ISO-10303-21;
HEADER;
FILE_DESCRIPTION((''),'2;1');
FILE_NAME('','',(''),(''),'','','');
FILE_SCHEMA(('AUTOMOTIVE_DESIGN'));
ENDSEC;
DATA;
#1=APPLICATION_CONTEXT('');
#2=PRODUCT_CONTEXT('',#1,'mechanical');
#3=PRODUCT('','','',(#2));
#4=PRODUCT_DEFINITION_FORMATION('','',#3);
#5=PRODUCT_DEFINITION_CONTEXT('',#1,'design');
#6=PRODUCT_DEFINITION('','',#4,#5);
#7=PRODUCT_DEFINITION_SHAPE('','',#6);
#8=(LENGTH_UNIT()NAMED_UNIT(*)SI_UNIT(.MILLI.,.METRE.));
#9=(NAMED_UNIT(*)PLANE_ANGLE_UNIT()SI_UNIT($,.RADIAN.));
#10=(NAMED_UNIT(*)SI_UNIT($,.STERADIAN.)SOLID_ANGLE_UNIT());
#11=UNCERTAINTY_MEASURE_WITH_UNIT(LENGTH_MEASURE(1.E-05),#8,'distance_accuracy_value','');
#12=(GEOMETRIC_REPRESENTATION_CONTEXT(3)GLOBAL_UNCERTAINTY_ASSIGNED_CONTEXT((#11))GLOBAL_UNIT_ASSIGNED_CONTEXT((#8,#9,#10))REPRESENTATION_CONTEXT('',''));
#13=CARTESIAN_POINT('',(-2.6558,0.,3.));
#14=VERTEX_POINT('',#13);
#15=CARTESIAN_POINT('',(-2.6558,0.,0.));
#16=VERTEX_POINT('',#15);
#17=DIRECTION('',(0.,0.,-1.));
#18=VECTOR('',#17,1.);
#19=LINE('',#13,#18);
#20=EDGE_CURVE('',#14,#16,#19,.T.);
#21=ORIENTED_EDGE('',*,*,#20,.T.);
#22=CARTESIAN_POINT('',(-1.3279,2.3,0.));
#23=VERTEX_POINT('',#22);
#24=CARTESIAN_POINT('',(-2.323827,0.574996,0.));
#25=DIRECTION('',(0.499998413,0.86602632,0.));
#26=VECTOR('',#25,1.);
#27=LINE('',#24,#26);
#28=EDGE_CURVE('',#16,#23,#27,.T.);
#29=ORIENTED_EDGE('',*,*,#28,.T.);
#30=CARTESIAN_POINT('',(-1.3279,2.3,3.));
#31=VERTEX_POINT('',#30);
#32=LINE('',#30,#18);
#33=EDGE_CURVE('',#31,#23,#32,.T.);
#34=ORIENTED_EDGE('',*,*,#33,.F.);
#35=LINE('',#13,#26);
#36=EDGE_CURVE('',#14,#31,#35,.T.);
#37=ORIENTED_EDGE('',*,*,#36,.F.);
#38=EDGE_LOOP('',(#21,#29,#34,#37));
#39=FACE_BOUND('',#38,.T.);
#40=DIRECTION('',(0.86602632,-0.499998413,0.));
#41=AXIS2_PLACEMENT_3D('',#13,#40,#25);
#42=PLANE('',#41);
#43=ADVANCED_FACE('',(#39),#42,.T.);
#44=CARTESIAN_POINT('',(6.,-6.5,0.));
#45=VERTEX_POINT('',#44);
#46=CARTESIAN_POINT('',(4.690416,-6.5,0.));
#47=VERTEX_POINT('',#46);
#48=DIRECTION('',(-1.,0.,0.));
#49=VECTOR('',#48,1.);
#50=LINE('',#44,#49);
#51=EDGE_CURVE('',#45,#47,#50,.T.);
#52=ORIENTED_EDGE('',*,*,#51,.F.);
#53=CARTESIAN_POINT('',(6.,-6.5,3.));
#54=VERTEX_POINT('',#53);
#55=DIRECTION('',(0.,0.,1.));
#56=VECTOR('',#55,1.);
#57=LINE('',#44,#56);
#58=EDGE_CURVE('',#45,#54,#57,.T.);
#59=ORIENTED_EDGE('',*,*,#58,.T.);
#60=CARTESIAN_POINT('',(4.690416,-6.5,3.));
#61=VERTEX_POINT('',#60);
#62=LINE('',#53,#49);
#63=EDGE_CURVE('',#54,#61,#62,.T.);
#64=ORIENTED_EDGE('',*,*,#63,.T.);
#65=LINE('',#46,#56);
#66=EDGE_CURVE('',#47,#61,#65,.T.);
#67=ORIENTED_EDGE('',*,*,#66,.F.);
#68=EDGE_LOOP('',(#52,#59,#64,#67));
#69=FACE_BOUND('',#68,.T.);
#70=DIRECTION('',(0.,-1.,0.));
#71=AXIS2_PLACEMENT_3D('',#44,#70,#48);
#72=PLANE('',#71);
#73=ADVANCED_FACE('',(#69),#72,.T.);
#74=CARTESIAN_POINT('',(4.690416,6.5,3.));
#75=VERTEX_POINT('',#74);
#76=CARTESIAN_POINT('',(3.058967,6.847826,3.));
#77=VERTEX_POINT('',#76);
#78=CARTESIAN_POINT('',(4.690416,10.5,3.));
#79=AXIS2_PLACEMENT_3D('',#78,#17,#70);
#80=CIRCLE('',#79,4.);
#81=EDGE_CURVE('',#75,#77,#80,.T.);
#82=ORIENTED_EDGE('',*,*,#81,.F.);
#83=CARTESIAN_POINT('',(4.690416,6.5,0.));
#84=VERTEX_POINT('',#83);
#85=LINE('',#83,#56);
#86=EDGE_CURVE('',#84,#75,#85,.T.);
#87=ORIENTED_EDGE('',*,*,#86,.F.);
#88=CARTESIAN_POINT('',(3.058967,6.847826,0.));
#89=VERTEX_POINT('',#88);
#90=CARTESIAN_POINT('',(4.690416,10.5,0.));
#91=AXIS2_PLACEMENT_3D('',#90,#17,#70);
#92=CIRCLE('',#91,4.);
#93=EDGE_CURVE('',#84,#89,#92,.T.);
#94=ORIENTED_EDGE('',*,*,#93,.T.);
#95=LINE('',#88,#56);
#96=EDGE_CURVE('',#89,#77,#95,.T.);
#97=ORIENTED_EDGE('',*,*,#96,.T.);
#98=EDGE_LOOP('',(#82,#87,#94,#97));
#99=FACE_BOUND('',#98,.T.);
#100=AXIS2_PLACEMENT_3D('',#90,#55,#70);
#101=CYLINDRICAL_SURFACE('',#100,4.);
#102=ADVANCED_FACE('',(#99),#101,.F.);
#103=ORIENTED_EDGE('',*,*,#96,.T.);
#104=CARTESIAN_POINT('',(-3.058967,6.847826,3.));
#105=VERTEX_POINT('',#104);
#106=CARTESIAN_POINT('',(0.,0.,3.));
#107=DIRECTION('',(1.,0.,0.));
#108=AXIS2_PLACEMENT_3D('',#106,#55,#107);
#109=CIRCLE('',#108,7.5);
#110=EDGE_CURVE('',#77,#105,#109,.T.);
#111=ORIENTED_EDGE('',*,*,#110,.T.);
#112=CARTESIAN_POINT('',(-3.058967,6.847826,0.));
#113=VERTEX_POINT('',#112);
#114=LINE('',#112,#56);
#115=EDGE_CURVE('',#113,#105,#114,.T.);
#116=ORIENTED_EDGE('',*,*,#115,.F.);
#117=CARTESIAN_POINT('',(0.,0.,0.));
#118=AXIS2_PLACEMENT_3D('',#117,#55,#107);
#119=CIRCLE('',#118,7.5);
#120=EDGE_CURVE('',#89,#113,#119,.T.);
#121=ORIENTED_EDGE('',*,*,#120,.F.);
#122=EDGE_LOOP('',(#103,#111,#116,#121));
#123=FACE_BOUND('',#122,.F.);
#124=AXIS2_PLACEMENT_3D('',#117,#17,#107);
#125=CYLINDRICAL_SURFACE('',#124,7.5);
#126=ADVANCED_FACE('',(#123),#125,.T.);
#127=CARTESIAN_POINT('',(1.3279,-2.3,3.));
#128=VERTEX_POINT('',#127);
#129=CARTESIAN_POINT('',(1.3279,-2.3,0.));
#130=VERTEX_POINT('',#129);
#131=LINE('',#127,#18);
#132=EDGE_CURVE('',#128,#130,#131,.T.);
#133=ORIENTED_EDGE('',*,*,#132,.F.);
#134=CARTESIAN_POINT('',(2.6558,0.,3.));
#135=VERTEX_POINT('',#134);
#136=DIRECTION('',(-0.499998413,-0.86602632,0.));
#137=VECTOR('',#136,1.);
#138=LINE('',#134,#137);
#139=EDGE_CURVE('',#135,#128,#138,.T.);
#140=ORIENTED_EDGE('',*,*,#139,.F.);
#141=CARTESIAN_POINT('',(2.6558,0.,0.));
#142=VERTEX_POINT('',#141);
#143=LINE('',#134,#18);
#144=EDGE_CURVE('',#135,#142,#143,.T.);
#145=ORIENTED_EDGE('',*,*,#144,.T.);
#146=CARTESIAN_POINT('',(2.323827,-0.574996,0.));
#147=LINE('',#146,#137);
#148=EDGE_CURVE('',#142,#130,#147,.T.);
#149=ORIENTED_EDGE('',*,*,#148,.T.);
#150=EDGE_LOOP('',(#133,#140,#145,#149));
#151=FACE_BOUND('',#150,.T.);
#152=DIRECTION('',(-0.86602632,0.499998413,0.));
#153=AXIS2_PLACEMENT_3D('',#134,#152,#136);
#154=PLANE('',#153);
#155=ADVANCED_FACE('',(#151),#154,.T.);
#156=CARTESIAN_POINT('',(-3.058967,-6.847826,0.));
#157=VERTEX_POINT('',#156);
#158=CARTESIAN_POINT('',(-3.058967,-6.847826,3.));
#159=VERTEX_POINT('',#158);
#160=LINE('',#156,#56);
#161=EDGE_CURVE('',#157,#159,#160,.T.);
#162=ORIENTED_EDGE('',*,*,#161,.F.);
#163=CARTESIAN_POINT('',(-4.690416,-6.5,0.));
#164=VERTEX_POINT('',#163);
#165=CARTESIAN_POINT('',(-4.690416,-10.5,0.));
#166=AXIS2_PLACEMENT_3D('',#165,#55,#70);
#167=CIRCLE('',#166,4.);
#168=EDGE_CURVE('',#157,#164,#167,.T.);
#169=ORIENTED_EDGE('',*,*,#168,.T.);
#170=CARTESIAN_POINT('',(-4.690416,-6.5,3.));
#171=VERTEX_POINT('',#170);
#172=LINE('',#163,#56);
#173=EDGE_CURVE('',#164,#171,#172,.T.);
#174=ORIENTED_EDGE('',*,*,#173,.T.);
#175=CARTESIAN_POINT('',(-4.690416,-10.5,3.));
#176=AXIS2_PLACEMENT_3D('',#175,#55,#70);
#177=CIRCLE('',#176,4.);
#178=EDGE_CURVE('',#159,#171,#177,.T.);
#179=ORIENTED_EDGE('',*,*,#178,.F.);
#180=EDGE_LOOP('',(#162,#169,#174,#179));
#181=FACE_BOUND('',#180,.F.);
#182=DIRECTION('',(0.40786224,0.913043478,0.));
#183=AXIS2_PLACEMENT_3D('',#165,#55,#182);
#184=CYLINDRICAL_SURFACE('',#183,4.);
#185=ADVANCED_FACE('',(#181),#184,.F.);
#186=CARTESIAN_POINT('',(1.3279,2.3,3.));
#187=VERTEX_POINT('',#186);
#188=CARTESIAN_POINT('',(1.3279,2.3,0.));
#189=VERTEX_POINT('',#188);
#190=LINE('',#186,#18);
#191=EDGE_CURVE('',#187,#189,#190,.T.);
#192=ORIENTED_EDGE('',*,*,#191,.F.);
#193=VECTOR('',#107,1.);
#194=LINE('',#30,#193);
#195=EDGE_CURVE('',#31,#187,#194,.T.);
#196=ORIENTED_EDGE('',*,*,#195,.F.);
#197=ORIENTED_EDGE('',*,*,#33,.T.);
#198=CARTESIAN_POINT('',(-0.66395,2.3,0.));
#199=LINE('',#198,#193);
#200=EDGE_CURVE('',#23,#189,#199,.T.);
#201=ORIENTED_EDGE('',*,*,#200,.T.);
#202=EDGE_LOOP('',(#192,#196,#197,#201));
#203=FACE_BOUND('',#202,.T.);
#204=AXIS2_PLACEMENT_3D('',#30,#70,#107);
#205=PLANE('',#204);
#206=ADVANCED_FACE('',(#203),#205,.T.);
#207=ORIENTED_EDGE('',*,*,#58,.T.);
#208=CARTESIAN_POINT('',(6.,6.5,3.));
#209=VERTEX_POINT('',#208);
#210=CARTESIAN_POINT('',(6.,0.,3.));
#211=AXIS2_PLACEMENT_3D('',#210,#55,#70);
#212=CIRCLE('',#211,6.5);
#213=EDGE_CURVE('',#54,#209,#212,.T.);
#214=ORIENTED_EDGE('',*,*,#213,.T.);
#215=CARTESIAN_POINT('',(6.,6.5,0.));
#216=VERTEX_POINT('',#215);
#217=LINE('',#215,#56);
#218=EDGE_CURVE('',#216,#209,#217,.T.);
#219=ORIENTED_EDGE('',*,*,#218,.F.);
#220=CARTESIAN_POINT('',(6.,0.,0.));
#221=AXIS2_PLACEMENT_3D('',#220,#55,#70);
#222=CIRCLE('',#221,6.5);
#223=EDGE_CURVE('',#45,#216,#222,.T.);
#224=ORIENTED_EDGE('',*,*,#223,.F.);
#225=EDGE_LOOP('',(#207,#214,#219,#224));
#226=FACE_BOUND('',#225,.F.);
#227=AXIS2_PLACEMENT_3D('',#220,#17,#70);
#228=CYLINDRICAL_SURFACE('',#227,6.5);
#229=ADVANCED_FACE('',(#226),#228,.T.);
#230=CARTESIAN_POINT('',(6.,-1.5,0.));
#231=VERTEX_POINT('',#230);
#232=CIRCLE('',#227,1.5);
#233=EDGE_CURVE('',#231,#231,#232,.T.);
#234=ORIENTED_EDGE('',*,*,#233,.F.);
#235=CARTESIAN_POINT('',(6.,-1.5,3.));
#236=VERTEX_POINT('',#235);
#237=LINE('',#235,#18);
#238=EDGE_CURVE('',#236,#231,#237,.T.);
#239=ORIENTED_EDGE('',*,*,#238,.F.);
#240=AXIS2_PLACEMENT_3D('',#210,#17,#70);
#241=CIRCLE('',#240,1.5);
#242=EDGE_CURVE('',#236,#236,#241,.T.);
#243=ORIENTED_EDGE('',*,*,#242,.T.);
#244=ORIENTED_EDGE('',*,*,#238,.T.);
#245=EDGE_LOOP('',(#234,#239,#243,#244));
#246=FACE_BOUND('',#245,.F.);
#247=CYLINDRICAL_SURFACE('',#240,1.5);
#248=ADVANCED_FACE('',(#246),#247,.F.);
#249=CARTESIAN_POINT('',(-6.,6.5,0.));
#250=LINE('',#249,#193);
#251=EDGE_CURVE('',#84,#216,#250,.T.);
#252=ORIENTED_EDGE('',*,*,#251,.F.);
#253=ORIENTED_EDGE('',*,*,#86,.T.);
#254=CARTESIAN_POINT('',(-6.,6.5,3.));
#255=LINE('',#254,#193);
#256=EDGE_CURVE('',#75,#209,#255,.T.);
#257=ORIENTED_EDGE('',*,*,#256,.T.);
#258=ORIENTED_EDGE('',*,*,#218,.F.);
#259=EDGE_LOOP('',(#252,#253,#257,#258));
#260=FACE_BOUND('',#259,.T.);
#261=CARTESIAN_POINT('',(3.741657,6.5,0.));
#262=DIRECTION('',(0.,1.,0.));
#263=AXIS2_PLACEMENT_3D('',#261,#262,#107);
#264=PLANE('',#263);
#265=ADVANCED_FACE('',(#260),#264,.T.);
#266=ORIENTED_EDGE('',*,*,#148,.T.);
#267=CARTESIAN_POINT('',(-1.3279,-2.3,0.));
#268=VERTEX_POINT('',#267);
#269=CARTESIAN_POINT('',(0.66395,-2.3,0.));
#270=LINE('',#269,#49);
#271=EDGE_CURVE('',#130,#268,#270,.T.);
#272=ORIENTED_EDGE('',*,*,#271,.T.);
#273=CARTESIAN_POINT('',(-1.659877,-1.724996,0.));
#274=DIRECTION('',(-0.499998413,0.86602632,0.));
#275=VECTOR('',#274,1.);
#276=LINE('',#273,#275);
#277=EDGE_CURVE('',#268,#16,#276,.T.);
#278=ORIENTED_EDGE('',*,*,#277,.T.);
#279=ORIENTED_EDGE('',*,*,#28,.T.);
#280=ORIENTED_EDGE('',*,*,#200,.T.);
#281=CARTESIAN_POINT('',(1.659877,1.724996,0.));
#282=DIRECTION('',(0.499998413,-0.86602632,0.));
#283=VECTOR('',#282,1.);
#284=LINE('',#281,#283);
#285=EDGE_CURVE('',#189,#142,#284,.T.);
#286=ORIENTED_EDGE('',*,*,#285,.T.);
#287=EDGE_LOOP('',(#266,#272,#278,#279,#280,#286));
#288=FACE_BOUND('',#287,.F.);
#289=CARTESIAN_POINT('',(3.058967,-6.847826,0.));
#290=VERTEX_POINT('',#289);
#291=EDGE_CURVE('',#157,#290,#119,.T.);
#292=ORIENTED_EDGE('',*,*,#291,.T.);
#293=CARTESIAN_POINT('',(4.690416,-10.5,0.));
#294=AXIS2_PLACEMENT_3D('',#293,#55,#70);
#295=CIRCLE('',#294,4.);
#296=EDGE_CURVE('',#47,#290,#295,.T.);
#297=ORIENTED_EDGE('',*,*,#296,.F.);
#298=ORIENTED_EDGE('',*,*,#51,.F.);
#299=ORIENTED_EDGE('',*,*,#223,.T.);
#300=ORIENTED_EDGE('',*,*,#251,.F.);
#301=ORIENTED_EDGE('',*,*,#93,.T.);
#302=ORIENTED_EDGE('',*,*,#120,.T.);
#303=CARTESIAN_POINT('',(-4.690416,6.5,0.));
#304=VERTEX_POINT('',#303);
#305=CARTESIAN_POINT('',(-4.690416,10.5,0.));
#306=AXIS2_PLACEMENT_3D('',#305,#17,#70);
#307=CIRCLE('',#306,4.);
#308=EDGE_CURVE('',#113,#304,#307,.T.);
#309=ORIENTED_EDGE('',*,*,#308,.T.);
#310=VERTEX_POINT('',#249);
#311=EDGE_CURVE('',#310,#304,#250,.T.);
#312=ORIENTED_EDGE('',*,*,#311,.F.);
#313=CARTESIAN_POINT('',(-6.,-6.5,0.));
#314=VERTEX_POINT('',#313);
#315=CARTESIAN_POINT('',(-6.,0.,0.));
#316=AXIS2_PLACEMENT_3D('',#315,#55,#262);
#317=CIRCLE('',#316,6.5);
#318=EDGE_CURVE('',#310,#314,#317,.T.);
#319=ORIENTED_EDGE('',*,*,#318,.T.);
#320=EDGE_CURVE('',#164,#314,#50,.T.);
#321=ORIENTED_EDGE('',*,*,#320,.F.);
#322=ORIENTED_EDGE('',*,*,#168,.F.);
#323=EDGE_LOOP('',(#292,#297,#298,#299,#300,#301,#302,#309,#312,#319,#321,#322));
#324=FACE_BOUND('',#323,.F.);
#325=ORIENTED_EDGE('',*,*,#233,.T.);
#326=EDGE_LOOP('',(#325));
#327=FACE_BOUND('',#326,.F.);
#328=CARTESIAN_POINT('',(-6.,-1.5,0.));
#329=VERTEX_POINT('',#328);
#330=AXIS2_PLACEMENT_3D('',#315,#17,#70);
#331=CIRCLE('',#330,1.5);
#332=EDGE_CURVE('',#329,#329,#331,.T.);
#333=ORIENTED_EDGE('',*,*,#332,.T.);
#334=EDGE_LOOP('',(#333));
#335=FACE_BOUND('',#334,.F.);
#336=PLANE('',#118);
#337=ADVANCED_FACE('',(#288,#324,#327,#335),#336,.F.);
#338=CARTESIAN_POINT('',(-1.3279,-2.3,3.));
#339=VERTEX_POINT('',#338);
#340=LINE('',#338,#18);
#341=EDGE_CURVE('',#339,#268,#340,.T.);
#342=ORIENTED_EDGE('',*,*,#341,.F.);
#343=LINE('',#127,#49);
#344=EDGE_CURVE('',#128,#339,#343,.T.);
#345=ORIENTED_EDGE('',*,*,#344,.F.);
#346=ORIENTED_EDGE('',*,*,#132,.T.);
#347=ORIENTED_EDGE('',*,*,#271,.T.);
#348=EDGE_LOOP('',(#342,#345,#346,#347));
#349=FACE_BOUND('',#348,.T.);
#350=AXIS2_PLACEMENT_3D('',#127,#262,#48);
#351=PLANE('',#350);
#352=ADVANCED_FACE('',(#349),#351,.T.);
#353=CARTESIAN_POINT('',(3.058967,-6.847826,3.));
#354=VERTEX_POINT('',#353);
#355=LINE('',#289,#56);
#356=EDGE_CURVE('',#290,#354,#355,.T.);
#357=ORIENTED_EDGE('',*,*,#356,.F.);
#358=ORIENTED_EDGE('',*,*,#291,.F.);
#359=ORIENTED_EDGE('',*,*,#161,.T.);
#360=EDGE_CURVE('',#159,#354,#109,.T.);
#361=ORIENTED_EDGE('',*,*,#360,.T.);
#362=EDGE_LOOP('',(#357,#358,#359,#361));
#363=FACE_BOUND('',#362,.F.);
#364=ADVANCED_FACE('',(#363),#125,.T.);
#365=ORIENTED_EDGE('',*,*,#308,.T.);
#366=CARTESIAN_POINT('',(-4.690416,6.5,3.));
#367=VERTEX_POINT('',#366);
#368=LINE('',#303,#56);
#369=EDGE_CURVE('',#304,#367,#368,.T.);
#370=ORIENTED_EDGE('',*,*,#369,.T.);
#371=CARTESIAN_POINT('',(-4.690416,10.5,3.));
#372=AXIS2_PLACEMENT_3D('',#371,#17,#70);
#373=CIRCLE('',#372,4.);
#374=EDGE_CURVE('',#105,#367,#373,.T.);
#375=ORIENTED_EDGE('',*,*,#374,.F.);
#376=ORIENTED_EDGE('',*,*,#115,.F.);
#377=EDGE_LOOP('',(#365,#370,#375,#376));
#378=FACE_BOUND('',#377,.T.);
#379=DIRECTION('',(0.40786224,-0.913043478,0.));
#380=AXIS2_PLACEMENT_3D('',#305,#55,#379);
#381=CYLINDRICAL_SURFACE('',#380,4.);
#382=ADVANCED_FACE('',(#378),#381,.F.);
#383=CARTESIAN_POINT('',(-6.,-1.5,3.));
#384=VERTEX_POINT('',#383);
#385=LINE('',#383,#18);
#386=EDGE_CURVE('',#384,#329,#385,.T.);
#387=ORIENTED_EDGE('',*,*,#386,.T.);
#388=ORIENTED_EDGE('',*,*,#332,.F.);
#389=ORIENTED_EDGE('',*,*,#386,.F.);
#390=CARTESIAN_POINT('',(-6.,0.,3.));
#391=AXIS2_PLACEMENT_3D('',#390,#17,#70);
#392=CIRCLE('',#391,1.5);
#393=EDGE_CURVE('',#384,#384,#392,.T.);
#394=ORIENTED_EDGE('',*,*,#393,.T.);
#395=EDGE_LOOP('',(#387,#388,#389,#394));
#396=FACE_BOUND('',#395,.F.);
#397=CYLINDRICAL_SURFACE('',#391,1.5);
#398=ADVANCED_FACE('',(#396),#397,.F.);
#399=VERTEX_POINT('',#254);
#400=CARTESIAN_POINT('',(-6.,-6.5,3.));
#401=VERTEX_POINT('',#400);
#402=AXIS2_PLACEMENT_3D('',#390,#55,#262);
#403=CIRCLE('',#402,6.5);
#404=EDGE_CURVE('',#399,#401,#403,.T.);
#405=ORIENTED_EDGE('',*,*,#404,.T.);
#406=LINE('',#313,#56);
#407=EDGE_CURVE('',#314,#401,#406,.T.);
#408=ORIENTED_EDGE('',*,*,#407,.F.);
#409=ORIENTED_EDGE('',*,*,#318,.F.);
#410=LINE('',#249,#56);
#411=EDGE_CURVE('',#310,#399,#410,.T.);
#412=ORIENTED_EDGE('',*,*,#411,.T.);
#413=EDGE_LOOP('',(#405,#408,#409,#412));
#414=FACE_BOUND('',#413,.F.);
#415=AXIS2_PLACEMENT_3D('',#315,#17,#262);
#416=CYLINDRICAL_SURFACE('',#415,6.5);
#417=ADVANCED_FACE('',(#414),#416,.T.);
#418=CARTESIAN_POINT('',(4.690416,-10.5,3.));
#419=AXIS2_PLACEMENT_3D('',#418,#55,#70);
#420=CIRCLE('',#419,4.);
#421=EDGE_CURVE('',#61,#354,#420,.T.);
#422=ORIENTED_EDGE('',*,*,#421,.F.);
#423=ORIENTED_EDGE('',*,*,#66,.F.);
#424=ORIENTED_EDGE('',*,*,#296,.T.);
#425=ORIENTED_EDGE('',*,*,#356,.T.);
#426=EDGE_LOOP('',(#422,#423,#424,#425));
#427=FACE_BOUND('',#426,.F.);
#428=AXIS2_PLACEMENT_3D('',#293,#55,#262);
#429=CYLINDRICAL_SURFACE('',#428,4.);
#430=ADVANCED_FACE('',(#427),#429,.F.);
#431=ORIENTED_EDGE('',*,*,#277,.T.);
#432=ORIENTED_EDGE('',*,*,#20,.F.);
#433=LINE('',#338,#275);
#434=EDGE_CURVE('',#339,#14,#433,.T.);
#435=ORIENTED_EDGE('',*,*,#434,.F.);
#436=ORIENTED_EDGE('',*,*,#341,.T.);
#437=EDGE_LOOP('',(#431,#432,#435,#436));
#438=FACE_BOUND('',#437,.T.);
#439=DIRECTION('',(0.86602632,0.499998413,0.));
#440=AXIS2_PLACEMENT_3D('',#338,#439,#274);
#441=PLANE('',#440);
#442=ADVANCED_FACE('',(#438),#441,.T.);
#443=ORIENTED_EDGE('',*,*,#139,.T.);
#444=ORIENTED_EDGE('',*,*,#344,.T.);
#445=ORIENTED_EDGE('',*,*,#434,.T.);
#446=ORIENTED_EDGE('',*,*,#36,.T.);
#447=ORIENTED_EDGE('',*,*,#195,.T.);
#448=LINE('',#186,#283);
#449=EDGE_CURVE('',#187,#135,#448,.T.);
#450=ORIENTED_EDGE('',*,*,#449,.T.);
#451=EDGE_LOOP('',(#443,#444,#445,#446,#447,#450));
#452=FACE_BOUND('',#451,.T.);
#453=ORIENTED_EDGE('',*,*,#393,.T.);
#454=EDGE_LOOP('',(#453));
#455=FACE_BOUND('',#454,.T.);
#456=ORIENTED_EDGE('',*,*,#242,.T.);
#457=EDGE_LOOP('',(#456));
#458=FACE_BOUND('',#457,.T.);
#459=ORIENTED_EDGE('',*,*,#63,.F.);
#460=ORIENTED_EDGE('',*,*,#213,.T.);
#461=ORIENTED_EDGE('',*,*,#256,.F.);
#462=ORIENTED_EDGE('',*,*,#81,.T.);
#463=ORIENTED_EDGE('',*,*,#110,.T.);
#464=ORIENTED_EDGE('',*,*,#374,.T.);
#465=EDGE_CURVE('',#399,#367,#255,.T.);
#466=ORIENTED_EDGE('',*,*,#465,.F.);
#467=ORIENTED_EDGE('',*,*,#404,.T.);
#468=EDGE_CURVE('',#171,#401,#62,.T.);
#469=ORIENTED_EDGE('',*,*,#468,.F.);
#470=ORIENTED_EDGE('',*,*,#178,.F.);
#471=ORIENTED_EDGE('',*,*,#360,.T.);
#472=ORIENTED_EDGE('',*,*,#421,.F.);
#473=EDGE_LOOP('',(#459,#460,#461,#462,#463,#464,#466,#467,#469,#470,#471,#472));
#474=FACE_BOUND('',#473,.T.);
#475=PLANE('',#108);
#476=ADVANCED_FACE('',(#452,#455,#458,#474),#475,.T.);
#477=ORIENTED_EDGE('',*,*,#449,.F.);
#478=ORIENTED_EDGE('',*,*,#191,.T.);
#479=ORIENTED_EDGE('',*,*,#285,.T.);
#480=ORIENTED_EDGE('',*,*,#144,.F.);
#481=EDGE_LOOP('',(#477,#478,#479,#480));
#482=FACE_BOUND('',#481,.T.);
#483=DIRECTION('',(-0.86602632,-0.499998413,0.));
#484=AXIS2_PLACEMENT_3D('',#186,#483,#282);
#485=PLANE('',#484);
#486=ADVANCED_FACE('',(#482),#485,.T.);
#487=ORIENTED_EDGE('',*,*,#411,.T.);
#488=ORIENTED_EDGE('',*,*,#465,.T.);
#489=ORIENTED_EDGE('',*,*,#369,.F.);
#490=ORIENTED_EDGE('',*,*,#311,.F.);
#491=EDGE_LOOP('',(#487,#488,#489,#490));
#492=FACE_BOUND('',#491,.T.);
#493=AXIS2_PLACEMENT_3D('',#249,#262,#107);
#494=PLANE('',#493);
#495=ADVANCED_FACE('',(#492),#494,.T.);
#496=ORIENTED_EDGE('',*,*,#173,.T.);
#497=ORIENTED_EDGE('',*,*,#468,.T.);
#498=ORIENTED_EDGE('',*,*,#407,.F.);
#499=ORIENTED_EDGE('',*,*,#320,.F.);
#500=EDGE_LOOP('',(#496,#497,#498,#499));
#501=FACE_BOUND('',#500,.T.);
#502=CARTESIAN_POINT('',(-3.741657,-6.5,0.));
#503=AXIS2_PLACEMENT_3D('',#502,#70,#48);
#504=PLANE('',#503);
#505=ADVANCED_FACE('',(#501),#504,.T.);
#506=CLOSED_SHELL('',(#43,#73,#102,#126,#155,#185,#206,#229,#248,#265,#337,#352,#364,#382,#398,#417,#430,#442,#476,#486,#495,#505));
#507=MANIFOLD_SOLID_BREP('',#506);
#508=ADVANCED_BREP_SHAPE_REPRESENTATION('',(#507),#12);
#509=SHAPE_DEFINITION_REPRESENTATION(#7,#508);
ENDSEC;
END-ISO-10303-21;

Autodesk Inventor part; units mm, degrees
ref_plane "YZ Plane" through (0, 0, 0) normal (1, 0, 0) x (0, 1, 0)
ref_plane "XZ Plane" through (0, 0, 0) normal (0, 1, 0) x (-1, 0, 0)
ref_plane "XY Plane" through (0, 0, 0) normal (0, 0, 1) x (1, 0, 0)
sketch "Sketch1" plane through (0, 0, 0) normal (0, 0, 1) x (1, 0, 0)
  circle A0 centre (0, 0) radius 7.5
  arc A1 (6, -6.5) -> (6, 6.5) centre (6, 0) ccw
  line L0 (6, -6.5) -> (-6, -6.5)
  arc A2 (-6, 6.5) -> (-6, -6.5) centre (-6, 0) ccw
  line L1 (-6, 6.5) -> (6, 6.5)
  dimension "d0" = 15
  dimension "d6" = 6
  dimension "d8" = 6
  dimension "d22" = 6.5
  dimension "d23" = 6.5
  dimension "d24" = 12
extrude "Extrusion1" add sketch "Sketch1" along normal blind 3
sketch "草圖4" plane through (0, 0, 3) normal (0, 0, 1) x (1, 0, 0)
  arc A0 (3.7417, 6.5) -> (-3.7417, 6.5) centre (0, 0) ccw projected
  line L0 (1.3279, 2.3) -> (2.6558, 0)
  line L1 (2.6558, 0) -> (1.3279, -2.3)
  line L2 (1.3279, -2.3) -> (-1.3279, -2.3)
  line L3 (-1.3279, -2.3) -> (-2.6558, 0)
  line L4 (-2.6558, 0) -> (-1.3279, 2.3)
  line L5 (-1.3279, 2.3) -> (1.3279, 2.3)
  point P0 (-2.7439, 4.7667)
  point P1 (2.7439, 4.7667)
  point P2 (-6, -4.5)
  point P3 (6, -4.5)
  dimension "d17" = 4.6
extrude "擠出2" cut sketch "草圖4" against normal through all
fillet "圓角2" radius 4 4 edges at (3.7417, -6.5, 1.5) (-3.7417, -6.5, 1.5) (3.7417, 6.5, 1.5) (-3.7417, 6.5, 1.5)
sketch "草圖5" plane through (0, 0, 3) normal (0, 0, 1) x (1, 0, 0)
  arc A0 (6, -6.5) -> (6, 6.5) centre (6, 0) ccw projected
  arc A1 (-6, 6.5) -> (-6, -6.5) centre (-6, 0) ccw projected
hole "孔2" at (-6, 0, 3) at (6, 0, 3) direction (0, 0, -1) diameter 3 end through all
properties part number "plastic_part_99"
